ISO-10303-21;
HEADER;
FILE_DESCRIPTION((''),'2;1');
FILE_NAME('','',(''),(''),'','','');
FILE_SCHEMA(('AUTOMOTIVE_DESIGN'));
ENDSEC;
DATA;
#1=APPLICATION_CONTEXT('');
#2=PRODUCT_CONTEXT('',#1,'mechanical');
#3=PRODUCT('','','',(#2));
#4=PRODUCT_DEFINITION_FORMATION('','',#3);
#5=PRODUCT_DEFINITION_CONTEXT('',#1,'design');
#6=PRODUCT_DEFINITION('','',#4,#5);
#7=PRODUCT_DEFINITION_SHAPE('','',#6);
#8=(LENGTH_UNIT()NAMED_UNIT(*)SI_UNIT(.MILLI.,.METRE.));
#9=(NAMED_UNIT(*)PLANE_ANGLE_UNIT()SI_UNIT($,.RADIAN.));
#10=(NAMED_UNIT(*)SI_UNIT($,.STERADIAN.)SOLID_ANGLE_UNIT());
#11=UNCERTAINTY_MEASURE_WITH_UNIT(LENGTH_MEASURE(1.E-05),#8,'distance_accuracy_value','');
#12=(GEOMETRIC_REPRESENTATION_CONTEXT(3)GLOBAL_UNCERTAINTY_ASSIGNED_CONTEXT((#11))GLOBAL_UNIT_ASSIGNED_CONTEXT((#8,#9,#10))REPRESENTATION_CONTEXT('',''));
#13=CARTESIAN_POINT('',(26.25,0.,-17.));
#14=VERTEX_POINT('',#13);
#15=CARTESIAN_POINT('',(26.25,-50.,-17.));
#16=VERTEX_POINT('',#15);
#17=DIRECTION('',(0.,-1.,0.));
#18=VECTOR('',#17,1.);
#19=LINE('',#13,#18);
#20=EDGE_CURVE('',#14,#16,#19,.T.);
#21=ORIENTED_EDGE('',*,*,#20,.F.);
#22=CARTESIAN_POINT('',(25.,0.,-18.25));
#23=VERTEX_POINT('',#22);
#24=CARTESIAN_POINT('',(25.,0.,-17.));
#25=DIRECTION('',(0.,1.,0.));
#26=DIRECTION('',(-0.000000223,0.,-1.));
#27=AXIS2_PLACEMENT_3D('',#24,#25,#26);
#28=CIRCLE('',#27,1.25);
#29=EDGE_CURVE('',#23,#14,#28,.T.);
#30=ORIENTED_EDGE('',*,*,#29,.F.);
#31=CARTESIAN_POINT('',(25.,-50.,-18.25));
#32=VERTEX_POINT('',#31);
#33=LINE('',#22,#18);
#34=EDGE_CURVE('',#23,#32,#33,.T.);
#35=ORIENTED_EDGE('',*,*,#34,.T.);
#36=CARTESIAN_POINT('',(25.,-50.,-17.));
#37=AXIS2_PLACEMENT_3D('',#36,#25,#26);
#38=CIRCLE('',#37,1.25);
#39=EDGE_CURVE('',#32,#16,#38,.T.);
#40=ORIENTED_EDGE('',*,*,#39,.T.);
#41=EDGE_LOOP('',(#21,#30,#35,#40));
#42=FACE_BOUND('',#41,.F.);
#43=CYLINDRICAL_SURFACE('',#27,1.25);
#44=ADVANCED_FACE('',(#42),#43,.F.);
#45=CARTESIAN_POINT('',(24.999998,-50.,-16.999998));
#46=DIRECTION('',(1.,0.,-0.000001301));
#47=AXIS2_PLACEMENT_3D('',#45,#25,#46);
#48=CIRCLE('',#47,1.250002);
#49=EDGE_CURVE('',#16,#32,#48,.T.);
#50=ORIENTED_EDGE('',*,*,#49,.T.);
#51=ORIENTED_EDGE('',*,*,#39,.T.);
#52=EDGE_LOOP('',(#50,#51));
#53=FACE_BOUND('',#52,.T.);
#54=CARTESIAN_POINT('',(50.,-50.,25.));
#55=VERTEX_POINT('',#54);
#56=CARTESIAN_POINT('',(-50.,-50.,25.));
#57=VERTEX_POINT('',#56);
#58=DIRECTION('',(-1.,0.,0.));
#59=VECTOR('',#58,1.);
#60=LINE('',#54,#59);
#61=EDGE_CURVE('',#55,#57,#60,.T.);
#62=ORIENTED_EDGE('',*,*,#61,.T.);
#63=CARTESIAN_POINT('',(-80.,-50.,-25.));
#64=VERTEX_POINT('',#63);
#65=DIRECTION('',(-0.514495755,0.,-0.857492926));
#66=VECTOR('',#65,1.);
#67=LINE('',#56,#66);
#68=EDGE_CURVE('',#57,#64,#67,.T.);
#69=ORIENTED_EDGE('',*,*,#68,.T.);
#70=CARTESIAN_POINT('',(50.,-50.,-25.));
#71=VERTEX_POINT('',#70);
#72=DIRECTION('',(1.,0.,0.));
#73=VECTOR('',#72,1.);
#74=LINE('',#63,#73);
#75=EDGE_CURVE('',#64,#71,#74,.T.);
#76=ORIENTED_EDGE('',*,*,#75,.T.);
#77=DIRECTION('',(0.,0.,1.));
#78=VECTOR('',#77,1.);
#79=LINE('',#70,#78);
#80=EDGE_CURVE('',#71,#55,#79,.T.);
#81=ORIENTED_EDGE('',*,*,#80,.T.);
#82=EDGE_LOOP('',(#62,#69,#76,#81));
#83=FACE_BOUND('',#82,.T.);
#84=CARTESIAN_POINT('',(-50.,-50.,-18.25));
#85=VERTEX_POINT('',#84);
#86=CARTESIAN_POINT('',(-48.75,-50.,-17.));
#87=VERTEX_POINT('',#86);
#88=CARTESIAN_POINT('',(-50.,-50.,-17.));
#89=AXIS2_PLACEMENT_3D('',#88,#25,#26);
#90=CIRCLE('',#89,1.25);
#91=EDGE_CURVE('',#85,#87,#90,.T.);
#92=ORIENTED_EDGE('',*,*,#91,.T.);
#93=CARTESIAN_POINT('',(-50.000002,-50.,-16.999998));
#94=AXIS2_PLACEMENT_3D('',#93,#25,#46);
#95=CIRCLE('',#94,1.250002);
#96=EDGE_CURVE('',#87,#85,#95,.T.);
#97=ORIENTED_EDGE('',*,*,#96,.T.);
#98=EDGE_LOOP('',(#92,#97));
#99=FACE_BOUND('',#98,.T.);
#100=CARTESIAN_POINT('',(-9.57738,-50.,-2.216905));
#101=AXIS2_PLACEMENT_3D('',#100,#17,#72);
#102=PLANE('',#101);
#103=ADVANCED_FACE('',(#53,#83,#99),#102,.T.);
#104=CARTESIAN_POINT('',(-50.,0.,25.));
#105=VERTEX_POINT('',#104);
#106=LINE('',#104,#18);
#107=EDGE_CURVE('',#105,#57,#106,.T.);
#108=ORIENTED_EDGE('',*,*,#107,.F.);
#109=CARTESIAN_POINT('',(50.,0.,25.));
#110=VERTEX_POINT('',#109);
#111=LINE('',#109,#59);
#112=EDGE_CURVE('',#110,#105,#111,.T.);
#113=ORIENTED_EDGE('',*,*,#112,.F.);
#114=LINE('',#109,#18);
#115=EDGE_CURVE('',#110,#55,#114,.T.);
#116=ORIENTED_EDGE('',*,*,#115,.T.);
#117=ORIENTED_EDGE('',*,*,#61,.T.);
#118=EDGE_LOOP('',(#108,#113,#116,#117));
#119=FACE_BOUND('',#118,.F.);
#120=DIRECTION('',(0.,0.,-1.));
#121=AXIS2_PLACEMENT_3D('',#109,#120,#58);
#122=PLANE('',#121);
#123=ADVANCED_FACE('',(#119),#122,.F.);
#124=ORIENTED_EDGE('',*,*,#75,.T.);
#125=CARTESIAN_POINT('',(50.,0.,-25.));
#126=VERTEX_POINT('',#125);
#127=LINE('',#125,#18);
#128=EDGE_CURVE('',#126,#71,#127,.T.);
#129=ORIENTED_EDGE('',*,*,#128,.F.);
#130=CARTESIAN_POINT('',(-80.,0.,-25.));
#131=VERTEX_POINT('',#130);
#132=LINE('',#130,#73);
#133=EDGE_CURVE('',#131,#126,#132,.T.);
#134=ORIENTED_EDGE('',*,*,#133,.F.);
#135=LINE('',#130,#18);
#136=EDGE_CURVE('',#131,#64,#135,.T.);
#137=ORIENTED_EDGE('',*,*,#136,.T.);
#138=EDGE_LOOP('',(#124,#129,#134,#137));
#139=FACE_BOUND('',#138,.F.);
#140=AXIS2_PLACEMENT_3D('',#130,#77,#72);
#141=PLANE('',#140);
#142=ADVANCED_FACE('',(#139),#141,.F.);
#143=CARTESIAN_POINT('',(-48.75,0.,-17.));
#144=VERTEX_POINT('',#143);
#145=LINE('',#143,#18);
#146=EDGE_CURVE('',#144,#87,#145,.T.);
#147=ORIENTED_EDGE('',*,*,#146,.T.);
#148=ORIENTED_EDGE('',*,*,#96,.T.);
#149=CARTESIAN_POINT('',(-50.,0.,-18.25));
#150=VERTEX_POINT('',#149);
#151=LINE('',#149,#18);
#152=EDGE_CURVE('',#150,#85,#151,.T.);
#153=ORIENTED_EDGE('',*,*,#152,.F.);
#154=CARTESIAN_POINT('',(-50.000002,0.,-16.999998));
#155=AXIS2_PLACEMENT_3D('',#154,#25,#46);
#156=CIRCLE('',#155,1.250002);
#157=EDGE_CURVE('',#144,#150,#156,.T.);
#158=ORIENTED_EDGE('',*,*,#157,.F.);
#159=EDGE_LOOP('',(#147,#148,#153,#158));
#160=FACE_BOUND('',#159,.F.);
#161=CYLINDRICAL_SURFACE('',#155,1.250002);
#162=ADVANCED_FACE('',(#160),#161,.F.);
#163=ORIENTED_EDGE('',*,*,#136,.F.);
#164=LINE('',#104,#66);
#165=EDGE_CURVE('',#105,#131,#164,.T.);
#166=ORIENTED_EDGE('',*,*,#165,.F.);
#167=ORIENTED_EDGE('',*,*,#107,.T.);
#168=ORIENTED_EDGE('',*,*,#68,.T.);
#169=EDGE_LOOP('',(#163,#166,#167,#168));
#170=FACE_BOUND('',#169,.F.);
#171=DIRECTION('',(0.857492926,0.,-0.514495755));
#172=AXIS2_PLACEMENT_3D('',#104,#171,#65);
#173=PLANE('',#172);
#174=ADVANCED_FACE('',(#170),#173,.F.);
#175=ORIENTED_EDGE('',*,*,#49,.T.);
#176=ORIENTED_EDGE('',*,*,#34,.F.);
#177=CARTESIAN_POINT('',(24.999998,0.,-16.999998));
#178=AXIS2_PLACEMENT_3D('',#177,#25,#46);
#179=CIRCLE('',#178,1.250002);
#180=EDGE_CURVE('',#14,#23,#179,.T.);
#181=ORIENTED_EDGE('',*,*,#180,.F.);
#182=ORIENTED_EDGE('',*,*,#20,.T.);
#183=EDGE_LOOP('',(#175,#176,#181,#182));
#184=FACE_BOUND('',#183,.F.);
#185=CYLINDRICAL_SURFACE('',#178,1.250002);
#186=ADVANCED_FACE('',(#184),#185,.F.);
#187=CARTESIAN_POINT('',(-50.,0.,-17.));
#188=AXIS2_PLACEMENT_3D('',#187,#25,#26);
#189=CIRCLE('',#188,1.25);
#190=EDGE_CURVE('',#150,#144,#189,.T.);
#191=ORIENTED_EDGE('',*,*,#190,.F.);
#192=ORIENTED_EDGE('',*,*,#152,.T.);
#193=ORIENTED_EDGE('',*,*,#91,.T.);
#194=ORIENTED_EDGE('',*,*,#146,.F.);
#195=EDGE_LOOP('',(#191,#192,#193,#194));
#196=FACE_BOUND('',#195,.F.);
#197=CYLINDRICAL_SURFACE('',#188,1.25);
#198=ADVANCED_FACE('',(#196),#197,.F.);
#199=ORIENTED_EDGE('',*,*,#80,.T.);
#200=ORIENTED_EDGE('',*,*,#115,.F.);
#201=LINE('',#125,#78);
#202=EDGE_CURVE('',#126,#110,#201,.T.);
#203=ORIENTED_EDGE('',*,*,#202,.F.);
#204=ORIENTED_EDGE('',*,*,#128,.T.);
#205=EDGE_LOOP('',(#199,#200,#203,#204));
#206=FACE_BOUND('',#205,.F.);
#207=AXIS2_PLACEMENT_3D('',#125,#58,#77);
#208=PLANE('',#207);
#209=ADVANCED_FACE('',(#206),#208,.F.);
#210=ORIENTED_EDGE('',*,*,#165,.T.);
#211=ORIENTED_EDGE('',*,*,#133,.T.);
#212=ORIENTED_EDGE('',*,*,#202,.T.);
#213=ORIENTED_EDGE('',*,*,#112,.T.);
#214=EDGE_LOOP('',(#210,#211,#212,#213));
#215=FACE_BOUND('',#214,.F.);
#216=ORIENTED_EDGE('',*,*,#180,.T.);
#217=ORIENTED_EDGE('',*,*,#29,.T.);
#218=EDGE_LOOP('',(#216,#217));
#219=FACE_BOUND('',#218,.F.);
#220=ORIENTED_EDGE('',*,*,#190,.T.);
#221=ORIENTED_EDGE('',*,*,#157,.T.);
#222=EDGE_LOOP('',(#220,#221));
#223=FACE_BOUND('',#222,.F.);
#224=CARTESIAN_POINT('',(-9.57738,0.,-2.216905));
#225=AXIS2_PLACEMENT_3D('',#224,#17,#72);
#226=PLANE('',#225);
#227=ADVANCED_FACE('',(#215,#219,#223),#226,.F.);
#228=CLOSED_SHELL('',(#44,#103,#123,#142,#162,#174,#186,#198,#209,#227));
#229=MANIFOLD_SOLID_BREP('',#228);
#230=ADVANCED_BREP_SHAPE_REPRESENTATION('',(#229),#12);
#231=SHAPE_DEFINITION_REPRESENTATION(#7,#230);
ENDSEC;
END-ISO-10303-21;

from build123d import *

# Parameters (mm, degrees)
F1_DEPTH = 50


with BuildPart() as f1:
    # F0 (on Front) → F1 (new body)
    with BuildSketch(Plane.XZ):
        Polygon((25, -25), (50, -25), (50, 25), (-50, 25), (-80, -25), (-50, -25), align=None)
        with BuildLine():
            ThreePointArc((-48.75, -17), (-49.116117, -17.883883), (-50, -18.25))
            ThreePointArc((-50, -18.25), (-50.883883, -16.116117), (-48.75, -17))
        make_face(mode=Mode.SUBTRACT)
        with BuildLine():
            ThreePointArc((25, -18.25), (24.116117, -16.116117), (26.25, -17))
            ThreePointArc((26.25, -17), (25.883883, -17.883883), (25, -18.25))
        make_face(mode=Mode.SUBTRACT)
    extrude(amount=F1_DEPTH)


solid = f1.part
